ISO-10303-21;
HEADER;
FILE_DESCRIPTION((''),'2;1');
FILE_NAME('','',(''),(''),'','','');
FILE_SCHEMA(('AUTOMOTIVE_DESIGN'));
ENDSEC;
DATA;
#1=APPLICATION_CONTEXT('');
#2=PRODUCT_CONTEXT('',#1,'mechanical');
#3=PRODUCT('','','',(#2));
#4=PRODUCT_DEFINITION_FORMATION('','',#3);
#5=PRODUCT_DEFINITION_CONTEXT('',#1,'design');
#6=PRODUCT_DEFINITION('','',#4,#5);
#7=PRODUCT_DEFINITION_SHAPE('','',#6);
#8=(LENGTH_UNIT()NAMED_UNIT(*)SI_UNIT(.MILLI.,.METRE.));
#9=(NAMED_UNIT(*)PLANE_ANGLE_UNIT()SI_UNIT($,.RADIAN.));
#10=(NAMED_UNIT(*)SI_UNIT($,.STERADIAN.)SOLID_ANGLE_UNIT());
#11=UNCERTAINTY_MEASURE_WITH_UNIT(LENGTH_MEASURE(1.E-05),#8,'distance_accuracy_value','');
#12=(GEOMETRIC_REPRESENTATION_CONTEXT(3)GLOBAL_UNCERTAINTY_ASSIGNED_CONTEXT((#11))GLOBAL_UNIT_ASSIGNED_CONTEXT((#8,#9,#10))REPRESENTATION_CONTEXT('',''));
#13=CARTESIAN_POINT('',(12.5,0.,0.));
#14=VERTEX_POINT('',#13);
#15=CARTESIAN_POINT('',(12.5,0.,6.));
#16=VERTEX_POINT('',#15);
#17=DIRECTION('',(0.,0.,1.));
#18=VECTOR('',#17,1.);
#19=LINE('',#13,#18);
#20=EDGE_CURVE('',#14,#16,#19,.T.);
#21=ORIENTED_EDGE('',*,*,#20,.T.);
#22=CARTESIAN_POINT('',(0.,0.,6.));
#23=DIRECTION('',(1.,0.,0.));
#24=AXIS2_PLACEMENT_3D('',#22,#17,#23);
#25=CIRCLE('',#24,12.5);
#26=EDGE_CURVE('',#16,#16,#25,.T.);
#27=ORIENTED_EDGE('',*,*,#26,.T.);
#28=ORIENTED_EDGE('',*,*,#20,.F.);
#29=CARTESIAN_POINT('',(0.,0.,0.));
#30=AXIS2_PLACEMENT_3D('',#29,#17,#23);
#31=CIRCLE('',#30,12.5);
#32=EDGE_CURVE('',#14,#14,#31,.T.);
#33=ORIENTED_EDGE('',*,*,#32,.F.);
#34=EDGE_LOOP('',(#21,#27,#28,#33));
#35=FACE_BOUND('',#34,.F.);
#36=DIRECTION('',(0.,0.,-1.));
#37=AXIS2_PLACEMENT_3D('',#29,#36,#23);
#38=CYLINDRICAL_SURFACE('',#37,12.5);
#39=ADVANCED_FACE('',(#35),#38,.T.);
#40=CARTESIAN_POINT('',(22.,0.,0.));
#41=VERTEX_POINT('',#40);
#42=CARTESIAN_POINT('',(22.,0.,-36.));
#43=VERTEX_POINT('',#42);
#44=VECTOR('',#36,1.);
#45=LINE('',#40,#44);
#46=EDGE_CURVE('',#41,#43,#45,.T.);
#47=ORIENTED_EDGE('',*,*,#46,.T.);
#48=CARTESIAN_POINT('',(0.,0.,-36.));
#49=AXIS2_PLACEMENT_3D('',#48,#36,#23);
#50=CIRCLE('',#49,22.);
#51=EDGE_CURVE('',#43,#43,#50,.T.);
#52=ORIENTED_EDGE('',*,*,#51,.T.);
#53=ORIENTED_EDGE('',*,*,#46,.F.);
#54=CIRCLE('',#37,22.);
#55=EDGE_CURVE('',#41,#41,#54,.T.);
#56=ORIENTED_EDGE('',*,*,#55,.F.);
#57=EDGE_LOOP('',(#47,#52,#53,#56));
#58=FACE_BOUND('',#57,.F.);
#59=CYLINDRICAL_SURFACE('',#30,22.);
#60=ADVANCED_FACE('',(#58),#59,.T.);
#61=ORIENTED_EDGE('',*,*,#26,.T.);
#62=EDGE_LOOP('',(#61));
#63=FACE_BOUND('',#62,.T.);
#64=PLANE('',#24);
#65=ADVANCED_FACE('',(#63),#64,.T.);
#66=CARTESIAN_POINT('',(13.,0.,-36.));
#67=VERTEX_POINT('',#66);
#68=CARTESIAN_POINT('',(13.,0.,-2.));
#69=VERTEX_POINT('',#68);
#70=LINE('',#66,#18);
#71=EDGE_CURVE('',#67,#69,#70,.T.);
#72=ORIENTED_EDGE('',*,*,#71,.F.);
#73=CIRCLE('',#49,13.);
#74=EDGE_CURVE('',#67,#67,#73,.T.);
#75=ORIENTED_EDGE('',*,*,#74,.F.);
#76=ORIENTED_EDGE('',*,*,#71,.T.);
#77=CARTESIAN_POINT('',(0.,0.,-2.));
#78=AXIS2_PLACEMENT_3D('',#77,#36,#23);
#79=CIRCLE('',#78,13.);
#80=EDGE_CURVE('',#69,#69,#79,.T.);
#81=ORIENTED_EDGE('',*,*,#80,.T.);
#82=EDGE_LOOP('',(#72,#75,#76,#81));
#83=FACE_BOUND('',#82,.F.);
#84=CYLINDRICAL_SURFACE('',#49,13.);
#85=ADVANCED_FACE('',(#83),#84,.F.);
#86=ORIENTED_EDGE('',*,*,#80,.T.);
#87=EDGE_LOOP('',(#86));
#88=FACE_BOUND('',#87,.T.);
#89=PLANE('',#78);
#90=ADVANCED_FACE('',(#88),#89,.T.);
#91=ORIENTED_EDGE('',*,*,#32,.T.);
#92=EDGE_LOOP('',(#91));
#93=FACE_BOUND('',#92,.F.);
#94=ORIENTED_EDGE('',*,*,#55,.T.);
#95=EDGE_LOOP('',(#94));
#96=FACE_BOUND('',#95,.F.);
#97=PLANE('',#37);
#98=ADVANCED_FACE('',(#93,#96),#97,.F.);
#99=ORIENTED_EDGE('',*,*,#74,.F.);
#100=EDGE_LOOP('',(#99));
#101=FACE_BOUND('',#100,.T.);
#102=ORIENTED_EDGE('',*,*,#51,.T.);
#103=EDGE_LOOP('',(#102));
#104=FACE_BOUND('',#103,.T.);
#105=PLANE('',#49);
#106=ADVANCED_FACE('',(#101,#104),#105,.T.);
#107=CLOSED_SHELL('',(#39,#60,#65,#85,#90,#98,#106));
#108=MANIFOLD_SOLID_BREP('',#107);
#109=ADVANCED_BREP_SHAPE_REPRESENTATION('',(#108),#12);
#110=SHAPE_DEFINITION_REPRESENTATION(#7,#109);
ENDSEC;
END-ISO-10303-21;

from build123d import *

# Parameters (mm, degrees)
F0_R     = 12.5
F1_DEPTH = 6
F2_R     = 22
F3_DEPTH = 36
F4_R     = 13
F5_DEPTH = 34


with BuildPart() as f1:
    # F0 (on Top) → F1 (new body)
    with BuildSketch(Plane.XY):
        Circle(F0_R)
    extrude(amount=F1_DEPTH)

    # F2 (on face) → F3 (join)
    with BuildSketch(Plane(origin=(0, 0, 0), x_dir=(1, 0, 0), z_dir=(0, 0, -1))):
        Circle(F2_R)
    extrude(amount=F3_DEPTH)

    # F4 (on face) → F5 (cut)
    with BuildSketch(Plane(origin=(0, 0, -36), x_dir=(1, 0, 0), z_dir=(0, 0, -1))):
        Circle(F4_R)
    extrude(amount=-F5_DEPTH, mode=Mode.SUBTRACT)


solid = f1.part
